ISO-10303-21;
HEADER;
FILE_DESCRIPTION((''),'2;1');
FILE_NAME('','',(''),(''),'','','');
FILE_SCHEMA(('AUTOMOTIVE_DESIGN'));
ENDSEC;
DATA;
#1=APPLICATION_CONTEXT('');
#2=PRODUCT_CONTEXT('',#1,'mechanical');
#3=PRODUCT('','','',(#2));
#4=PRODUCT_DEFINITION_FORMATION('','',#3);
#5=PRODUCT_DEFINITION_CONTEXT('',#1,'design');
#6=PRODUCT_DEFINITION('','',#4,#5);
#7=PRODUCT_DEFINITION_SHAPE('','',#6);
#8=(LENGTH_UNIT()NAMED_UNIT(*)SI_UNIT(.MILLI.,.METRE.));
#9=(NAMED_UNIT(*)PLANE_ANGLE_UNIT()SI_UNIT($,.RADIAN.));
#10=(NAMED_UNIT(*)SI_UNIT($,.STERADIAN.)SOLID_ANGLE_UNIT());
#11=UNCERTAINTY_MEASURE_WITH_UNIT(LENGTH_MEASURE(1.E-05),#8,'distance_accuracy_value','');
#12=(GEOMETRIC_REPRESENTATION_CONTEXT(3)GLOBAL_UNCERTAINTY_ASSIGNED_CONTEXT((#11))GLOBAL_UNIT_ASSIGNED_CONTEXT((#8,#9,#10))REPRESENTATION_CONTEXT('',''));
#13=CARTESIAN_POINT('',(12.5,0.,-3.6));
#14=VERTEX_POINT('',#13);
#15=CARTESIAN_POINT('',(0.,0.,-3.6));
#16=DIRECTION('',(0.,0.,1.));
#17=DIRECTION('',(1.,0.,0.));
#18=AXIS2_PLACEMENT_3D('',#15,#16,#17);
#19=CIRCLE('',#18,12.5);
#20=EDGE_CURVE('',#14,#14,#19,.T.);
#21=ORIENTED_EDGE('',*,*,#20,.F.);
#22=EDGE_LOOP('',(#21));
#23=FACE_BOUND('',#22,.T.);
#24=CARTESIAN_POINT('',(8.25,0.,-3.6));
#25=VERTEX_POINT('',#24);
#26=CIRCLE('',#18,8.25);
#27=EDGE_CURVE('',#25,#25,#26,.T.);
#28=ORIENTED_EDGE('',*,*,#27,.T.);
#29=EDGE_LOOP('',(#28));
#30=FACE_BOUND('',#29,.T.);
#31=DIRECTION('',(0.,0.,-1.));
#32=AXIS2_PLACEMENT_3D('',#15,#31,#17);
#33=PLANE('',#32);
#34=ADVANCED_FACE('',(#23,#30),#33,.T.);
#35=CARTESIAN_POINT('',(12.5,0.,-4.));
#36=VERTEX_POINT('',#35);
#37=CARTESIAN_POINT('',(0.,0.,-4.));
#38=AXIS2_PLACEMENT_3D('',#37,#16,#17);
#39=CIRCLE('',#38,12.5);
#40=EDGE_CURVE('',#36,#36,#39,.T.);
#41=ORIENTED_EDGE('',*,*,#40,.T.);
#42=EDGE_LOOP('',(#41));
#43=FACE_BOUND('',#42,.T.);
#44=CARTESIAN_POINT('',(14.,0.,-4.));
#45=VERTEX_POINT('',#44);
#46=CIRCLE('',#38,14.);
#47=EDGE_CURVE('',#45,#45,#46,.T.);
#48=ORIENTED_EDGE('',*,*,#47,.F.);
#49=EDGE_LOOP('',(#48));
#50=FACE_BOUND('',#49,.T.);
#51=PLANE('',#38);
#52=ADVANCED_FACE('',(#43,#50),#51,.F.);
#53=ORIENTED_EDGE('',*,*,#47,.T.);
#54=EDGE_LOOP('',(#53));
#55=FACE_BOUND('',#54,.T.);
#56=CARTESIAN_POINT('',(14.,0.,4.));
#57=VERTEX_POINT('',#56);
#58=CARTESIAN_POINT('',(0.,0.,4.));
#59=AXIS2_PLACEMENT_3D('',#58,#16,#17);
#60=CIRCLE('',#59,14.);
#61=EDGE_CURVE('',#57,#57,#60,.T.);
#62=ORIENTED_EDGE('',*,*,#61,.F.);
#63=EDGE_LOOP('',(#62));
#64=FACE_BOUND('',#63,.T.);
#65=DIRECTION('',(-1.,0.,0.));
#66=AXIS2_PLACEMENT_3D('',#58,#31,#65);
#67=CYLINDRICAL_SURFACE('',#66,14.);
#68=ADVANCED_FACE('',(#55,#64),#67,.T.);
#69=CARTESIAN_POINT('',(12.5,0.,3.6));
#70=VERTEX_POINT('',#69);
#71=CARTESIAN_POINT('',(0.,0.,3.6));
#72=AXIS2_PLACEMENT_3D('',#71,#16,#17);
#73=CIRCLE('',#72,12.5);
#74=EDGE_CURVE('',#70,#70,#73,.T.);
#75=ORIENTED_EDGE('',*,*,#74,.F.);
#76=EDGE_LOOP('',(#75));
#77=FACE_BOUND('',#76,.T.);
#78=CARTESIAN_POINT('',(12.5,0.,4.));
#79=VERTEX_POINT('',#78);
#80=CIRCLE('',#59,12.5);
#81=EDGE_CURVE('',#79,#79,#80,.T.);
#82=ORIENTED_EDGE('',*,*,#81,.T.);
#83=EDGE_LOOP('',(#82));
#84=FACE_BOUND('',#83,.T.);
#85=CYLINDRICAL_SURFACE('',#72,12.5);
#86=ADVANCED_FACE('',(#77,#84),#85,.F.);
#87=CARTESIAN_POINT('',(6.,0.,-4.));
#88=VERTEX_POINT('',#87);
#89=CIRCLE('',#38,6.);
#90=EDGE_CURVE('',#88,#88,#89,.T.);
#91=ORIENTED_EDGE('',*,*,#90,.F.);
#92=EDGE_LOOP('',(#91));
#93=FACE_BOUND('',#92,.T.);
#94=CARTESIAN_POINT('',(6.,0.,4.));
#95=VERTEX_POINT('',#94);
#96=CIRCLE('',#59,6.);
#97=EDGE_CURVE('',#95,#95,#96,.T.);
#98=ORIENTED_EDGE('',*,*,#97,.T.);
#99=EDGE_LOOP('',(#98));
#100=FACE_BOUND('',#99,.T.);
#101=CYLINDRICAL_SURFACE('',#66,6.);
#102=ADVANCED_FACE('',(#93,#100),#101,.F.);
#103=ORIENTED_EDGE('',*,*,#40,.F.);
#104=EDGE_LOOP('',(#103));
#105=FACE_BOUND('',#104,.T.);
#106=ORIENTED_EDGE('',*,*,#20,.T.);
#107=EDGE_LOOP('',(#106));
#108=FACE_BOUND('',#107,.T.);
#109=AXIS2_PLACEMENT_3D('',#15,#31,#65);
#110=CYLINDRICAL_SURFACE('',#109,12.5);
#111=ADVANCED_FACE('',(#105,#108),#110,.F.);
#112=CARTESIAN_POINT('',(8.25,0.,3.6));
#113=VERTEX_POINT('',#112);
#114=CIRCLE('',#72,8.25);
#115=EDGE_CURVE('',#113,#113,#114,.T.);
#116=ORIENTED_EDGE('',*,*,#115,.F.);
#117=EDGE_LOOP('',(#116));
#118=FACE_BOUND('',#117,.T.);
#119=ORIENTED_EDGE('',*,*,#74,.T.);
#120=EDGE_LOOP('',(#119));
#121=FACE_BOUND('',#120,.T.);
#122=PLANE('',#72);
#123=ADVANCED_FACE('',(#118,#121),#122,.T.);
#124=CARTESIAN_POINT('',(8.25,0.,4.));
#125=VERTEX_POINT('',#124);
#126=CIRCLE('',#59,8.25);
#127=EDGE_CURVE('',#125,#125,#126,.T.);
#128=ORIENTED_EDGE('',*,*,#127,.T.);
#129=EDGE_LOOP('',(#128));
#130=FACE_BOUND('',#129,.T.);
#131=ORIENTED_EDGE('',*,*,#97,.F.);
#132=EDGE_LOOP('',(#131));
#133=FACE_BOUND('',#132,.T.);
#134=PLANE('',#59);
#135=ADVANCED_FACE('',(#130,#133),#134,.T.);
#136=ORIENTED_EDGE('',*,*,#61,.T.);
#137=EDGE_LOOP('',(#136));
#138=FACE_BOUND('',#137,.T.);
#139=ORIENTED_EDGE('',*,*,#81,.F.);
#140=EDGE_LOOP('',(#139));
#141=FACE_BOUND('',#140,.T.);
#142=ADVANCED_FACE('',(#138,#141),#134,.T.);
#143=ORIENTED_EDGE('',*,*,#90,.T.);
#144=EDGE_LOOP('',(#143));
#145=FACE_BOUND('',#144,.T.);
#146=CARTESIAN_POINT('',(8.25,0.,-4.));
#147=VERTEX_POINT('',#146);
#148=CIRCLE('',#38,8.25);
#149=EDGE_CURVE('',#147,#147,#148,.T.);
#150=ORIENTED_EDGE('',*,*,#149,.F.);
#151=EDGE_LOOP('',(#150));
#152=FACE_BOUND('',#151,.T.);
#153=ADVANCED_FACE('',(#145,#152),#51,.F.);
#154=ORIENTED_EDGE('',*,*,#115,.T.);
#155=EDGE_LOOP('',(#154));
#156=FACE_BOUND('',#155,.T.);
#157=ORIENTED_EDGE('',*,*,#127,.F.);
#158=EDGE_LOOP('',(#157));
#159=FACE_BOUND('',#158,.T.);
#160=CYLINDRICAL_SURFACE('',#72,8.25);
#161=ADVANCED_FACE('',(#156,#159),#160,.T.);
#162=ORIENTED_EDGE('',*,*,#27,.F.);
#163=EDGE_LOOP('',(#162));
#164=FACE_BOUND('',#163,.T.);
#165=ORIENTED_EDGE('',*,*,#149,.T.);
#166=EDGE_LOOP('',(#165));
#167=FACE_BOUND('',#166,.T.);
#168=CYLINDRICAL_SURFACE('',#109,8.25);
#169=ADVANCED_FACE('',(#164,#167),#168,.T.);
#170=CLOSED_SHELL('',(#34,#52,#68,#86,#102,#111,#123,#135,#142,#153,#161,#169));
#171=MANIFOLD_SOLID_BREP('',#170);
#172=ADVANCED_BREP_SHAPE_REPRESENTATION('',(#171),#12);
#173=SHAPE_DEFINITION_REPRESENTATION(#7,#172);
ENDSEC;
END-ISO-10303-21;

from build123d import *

# Parameters (mm, degrees)
SKETCH1_R          = 14
SKETCH1_R_2        = 6
EXTRUDE1_DEPTH     = 4
SKETCH2_R          = 12.5
SKETCH2_R_2        = 8.25
CUT_EXTRUDE1_DEPTH = 0.4


with BuildPart() as part:
    # Sketch1 → Extrude1 (new, symmetric)
    with BuildSketch(Plane.XY):
        Circle(SKETCH1_R)
        Circle(SKETCH1_R_2, mode=Mode.SUBTRACT)
    extrude(amount=EXTRUDE1_DEPTH, both=True)

    # Sketch2 → Cut-Extrude1 (cut)
    with BuildSketch(Plane.XY.offset(4)):
        Circle(SKETCH2_R)
        Circle(SKETCH2_R_2, mode=Mode.SUBTRACT)
    cut_extrude1 = extrude(amount=-CUT_EXTRUDE1_DEPTH, mode=Mode.SUBTRACT)

    # Mirror1: Cut-Extrude1 across plane
    add(cut_extrude1.mirror(Plane.XY), mode=Mode.SUBTRACT)


solid = part.part
